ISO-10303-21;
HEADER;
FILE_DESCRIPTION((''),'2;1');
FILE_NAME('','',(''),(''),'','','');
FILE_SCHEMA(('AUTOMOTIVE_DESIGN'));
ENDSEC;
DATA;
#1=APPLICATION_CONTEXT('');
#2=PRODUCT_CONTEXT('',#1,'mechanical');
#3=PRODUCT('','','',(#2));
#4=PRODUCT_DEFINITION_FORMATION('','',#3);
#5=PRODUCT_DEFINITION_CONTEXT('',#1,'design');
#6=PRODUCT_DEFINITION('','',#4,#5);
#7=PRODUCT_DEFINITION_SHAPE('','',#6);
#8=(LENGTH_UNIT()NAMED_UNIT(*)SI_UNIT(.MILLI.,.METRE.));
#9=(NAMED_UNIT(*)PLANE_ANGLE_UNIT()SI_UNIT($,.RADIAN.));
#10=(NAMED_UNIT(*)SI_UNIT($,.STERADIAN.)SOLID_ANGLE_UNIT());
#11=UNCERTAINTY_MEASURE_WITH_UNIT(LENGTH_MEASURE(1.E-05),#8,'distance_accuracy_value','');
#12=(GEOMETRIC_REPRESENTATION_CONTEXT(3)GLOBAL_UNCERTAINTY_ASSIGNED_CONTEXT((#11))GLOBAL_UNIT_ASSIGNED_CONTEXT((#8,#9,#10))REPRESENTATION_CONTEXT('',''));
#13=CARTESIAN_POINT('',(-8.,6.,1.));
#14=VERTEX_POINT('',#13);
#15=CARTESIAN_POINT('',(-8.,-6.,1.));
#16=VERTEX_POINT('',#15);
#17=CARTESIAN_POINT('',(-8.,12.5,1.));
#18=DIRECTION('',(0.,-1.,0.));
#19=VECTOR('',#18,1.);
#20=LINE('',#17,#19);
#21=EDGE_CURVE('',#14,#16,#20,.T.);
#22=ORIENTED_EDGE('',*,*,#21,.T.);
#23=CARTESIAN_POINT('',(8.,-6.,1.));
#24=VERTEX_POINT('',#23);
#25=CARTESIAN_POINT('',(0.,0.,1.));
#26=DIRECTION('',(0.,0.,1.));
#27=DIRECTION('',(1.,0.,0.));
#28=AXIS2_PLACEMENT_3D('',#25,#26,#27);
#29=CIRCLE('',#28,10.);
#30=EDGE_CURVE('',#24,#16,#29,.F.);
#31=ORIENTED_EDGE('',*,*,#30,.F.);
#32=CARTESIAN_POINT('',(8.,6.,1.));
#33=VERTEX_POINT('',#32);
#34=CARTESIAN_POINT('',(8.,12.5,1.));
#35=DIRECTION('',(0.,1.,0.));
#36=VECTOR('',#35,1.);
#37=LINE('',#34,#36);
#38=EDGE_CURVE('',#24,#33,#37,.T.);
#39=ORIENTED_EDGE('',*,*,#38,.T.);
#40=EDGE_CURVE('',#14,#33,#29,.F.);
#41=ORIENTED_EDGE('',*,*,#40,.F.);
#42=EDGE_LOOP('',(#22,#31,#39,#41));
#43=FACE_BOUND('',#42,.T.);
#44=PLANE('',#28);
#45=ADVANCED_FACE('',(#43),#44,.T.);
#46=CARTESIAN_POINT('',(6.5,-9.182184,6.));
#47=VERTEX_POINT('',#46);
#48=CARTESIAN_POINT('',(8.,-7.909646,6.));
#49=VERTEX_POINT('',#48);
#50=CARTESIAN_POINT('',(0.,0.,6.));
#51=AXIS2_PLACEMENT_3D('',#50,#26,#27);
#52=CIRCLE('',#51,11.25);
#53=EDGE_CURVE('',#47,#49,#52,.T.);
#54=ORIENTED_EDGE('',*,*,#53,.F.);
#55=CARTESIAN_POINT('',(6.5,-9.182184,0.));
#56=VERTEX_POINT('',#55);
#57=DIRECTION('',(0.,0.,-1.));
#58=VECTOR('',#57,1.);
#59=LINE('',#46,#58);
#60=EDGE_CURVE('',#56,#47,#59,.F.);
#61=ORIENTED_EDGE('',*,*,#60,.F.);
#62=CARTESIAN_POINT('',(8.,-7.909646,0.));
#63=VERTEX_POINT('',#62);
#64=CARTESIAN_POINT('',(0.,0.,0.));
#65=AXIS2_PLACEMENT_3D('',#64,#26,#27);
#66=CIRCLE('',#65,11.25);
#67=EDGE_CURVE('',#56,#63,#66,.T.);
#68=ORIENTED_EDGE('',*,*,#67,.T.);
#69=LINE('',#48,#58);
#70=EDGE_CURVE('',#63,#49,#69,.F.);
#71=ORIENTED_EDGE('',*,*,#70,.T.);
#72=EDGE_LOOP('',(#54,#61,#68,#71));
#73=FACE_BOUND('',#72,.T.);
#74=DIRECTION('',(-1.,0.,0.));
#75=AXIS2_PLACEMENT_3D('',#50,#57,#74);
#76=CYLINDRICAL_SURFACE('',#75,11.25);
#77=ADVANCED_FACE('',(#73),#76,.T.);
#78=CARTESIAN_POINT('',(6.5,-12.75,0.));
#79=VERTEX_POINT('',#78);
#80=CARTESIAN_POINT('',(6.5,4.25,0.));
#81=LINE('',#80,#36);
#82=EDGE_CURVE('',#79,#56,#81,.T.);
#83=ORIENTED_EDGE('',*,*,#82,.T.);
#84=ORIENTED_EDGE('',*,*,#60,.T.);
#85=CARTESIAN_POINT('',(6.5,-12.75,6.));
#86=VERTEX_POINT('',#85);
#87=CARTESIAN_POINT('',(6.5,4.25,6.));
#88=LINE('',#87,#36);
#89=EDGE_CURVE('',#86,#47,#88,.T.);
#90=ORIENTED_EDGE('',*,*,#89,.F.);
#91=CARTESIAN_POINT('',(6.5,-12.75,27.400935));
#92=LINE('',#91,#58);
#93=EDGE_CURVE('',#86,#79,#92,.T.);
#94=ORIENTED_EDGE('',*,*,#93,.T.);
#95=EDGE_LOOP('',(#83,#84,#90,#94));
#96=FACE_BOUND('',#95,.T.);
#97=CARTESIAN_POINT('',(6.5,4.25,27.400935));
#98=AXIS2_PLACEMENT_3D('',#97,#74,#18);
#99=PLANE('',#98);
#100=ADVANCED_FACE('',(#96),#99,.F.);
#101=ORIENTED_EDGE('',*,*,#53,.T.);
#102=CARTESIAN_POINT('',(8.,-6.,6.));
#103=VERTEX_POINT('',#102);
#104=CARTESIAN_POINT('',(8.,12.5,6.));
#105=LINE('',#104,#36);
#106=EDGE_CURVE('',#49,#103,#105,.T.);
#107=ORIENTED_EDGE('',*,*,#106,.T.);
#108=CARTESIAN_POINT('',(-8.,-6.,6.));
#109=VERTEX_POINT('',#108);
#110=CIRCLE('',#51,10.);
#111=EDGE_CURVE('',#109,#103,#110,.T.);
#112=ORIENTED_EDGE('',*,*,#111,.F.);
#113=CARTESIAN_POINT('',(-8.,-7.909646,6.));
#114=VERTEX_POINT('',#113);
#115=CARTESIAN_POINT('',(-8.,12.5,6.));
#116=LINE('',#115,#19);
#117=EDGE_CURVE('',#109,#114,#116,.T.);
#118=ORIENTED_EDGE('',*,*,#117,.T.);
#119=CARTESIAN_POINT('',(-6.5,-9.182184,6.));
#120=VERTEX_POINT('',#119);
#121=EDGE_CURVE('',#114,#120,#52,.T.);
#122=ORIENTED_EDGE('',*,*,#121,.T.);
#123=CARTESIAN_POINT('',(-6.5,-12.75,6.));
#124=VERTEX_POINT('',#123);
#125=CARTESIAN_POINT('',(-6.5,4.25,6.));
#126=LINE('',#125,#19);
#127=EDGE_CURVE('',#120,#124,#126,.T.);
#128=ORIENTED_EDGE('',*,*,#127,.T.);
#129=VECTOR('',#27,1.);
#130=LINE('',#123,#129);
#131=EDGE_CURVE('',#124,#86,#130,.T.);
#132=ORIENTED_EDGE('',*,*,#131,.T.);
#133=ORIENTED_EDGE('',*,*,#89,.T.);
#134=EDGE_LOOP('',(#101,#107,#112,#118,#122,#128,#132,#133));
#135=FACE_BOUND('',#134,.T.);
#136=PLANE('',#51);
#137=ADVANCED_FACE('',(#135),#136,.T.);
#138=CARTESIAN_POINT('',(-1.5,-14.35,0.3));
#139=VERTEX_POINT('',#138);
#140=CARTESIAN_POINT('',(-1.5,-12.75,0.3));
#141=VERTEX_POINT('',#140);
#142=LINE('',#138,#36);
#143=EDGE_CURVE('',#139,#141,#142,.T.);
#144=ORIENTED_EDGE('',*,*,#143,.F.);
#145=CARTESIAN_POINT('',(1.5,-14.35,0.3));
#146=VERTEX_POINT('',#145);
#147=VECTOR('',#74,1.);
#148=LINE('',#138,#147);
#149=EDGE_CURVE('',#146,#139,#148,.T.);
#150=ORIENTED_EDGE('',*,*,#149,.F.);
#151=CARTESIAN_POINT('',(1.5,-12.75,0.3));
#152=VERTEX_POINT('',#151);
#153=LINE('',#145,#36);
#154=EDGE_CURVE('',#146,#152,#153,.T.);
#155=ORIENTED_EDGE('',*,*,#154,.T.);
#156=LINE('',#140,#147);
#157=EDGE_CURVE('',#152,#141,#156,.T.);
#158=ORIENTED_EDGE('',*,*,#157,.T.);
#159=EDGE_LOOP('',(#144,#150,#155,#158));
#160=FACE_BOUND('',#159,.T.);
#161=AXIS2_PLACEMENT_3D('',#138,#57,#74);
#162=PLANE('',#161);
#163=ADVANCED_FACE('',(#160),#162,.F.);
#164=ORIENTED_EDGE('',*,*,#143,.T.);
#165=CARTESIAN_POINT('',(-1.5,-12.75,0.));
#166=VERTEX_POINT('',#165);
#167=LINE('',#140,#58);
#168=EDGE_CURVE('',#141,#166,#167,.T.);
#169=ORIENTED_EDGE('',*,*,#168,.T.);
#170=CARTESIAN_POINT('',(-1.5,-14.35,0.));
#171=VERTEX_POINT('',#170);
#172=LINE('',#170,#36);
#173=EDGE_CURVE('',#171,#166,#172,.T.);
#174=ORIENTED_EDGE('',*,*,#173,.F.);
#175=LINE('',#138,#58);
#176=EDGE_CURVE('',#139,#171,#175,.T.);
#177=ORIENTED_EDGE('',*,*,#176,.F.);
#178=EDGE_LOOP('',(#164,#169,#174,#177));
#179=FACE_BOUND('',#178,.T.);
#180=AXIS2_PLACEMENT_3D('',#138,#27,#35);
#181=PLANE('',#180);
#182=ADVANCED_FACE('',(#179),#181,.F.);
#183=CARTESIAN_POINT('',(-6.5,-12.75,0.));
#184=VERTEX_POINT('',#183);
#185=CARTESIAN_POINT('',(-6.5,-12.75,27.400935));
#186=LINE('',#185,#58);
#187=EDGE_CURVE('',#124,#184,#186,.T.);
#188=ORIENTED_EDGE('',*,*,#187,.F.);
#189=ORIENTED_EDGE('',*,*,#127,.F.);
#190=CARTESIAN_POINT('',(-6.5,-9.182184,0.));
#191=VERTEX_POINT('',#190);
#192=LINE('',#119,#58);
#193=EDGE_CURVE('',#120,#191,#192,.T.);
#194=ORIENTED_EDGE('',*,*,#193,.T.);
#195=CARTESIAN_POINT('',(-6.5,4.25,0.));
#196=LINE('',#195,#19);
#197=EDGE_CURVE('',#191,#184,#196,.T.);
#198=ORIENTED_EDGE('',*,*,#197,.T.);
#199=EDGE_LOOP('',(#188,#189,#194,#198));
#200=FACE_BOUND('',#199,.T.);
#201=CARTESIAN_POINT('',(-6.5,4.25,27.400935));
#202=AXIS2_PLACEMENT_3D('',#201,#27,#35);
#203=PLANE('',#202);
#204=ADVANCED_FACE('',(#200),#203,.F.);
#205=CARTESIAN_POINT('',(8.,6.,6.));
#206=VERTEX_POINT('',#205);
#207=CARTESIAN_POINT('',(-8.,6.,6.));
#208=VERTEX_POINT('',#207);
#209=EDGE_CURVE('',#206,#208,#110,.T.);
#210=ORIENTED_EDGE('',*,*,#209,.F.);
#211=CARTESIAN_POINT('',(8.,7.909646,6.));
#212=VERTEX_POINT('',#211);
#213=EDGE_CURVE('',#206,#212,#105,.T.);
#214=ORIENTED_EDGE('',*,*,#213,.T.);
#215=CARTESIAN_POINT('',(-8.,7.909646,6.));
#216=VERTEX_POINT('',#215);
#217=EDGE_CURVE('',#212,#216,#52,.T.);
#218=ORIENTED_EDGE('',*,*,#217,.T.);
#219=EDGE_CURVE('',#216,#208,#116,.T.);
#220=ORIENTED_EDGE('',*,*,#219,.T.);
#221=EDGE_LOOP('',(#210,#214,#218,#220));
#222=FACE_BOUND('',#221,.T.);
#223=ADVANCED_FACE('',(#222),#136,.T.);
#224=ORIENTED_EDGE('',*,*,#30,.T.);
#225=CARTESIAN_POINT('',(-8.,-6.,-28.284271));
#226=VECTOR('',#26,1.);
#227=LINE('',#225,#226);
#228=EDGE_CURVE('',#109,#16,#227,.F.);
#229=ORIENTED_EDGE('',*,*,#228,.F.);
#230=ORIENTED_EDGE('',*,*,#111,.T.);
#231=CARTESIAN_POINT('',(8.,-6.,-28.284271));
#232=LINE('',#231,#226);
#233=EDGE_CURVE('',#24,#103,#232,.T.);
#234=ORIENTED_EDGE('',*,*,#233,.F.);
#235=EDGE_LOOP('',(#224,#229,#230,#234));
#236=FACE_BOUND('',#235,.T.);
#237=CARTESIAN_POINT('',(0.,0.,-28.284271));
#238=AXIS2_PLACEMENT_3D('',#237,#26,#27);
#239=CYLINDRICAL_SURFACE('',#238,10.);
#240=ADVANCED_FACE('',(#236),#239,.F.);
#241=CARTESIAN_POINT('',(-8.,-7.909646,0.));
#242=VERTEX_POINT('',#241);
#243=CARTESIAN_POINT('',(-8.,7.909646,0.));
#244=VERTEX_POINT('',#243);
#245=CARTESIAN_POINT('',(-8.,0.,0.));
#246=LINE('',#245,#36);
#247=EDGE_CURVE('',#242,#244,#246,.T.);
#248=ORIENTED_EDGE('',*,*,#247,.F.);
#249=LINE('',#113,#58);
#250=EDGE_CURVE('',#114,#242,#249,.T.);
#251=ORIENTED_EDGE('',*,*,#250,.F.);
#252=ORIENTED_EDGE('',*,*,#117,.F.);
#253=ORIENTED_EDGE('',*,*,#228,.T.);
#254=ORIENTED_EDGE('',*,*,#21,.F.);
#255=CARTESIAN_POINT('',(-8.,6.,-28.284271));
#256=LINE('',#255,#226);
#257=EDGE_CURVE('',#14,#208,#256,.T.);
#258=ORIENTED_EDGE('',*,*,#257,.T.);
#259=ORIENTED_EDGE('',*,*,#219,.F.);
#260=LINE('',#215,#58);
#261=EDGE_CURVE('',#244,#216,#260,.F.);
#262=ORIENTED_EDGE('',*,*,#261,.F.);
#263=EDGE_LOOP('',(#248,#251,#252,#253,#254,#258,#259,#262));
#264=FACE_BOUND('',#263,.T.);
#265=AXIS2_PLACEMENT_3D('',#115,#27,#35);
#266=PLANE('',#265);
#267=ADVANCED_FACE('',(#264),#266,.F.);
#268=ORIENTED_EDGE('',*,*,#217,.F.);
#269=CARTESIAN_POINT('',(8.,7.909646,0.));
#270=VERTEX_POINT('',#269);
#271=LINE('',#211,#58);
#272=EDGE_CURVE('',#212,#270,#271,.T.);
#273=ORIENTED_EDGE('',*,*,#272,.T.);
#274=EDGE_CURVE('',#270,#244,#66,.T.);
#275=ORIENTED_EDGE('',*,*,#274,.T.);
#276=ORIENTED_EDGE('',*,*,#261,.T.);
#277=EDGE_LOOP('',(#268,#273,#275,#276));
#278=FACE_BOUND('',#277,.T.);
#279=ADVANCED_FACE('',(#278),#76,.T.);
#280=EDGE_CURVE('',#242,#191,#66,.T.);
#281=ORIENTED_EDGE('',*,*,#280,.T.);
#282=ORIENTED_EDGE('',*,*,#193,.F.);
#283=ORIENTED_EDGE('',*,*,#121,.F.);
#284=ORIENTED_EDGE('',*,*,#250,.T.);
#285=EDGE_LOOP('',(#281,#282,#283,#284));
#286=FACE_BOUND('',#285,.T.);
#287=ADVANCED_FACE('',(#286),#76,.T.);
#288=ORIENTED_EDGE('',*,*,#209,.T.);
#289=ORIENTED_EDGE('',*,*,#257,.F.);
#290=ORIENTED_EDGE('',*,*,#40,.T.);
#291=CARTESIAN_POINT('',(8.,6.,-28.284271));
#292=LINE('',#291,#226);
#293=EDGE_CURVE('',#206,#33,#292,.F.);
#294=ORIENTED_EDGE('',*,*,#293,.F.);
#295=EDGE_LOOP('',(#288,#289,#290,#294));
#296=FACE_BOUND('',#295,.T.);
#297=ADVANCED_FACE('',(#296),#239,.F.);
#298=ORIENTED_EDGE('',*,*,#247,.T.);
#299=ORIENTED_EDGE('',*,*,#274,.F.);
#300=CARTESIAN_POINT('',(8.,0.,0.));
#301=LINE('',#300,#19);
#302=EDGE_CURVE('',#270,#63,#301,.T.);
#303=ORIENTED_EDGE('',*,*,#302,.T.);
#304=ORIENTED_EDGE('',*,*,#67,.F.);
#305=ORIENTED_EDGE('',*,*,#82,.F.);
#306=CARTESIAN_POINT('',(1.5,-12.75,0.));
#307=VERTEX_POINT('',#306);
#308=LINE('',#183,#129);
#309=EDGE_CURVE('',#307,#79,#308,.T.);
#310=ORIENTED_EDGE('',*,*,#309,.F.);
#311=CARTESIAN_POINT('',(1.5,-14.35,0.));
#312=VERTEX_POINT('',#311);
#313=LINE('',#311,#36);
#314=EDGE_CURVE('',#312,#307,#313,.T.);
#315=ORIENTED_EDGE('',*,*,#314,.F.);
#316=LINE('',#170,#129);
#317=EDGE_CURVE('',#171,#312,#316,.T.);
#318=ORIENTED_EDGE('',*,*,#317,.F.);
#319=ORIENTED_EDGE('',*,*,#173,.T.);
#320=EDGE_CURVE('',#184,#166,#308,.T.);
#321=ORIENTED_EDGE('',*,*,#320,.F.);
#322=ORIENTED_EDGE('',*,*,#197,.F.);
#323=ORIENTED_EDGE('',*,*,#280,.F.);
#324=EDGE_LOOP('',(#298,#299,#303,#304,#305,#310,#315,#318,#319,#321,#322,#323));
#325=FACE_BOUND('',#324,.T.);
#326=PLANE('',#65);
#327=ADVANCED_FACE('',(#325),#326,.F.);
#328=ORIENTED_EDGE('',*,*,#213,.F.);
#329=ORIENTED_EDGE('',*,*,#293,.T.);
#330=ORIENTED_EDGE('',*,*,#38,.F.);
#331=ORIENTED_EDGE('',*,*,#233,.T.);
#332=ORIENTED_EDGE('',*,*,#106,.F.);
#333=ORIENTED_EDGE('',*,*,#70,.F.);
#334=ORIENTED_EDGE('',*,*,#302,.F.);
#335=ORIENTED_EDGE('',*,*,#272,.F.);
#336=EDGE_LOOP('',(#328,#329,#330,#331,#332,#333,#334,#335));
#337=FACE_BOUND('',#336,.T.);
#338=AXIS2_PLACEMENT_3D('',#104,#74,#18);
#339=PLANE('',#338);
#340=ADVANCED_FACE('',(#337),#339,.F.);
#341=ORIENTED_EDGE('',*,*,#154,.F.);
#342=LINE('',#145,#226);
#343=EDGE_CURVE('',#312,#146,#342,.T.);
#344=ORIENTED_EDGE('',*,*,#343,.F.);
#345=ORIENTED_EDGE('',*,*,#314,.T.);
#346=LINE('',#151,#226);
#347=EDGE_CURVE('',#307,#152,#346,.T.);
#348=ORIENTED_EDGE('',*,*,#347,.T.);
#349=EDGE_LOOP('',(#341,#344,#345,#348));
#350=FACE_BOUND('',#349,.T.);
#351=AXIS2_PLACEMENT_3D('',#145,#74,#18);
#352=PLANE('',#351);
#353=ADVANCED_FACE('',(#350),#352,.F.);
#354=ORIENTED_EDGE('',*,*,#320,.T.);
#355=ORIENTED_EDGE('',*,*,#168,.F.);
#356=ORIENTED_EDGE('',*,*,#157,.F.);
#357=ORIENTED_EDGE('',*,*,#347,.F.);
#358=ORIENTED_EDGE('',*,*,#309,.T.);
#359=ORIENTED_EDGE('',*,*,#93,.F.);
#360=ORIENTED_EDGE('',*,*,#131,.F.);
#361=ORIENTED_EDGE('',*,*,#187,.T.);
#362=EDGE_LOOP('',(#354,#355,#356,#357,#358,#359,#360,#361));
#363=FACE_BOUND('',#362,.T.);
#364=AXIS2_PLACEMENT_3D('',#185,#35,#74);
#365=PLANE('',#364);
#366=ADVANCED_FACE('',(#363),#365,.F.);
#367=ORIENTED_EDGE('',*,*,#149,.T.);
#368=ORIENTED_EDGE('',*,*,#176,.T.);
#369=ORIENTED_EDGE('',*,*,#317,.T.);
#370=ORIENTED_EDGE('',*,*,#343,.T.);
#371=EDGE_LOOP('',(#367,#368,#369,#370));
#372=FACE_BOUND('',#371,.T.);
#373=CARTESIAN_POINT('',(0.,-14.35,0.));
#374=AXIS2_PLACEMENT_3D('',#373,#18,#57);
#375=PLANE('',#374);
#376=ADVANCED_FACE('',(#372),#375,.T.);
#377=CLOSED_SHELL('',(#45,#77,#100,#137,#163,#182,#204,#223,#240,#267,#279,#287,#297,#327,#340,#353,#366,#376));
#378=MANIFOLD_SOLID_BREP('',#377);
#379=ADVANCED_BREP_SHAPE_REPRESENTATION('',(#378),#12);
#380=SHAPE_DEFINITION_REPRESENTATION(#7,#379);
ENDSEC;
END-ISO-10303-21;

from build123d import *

# Parameters (mm, degrees)
SKETCH1_R           = 11.25
BOSS_EXTRUDE1_DEPTH = 6
SKETCH4_W           = 36
SKETCH4_H           = 45
SKETCH4_W_2         = 16
SKETCH4_H_2         = 25
CUT_EXTRUDE3_DEPTH  = 18.003676073
SKETCH5_W           = 13
SKETCH5_H           = 17
BOSS_EXTRUDE2_DEPTH = 6
SKETCH2_R           = 10
CUT_EXTRUDE4_DEPTH  = 5
SKETCH6_W           = 3
SKETCH6_H           = 0.3
BOSS_EXTRUDE3_DEPTH = 1.6


with BuildPart() as part:
    # Sketch1 → Boss-Extrude1 (new body)
    with BuildSketch(Plane.XY):
        Circle(SKETCH1_R)
    extrude(amount=BOSS_EXTRUDE1_DEPTH)

    # Sketch4 → Cut-Extrude3 (cut, through all)
    with BuildSketch(Plane.XY):
        Rectangle(SKETCH4_W, SKETCH4_H)
        Rectangle(SKETCH4_W_2, SKETCH4_H_2, mode=Mode.SUBTRACT)
    extrude(amount=CUT_EXTRUDE3_DEPTH, mode=Mode.SUBTRACT)

    # Sketch5 → Boss-Extrude2 (add)
    with BuildSketch(Plane.XY):
        with Locations((0, -4.25)):
            Rectangle(SKETCH5_W, SKETCH5_H)
    extrude(amount=BOSS_EXTRUDE2_DEPTH)

    # Sketch2 → Cut-Extrude4 (cut)
    with BuildSketch(Plane.XY.offset(6)):
        Circle(SKETCH2_R)
    extrude(amount=-CUT_EXTRUDE4_DEPTH, mode=Mode.SUBTRACT)

    # Sketch6 → Boss-Extrude3 (add)
    with BuildSketch(Plane.XZ.offset(12.75)):
        with Locations((0, 0.15)):
            Rectangle(SKETCH6_W, SKETCH6_H)
    extrude(amount=BOSS_EXTRUDE3_DEPTH)


solid = part.part
